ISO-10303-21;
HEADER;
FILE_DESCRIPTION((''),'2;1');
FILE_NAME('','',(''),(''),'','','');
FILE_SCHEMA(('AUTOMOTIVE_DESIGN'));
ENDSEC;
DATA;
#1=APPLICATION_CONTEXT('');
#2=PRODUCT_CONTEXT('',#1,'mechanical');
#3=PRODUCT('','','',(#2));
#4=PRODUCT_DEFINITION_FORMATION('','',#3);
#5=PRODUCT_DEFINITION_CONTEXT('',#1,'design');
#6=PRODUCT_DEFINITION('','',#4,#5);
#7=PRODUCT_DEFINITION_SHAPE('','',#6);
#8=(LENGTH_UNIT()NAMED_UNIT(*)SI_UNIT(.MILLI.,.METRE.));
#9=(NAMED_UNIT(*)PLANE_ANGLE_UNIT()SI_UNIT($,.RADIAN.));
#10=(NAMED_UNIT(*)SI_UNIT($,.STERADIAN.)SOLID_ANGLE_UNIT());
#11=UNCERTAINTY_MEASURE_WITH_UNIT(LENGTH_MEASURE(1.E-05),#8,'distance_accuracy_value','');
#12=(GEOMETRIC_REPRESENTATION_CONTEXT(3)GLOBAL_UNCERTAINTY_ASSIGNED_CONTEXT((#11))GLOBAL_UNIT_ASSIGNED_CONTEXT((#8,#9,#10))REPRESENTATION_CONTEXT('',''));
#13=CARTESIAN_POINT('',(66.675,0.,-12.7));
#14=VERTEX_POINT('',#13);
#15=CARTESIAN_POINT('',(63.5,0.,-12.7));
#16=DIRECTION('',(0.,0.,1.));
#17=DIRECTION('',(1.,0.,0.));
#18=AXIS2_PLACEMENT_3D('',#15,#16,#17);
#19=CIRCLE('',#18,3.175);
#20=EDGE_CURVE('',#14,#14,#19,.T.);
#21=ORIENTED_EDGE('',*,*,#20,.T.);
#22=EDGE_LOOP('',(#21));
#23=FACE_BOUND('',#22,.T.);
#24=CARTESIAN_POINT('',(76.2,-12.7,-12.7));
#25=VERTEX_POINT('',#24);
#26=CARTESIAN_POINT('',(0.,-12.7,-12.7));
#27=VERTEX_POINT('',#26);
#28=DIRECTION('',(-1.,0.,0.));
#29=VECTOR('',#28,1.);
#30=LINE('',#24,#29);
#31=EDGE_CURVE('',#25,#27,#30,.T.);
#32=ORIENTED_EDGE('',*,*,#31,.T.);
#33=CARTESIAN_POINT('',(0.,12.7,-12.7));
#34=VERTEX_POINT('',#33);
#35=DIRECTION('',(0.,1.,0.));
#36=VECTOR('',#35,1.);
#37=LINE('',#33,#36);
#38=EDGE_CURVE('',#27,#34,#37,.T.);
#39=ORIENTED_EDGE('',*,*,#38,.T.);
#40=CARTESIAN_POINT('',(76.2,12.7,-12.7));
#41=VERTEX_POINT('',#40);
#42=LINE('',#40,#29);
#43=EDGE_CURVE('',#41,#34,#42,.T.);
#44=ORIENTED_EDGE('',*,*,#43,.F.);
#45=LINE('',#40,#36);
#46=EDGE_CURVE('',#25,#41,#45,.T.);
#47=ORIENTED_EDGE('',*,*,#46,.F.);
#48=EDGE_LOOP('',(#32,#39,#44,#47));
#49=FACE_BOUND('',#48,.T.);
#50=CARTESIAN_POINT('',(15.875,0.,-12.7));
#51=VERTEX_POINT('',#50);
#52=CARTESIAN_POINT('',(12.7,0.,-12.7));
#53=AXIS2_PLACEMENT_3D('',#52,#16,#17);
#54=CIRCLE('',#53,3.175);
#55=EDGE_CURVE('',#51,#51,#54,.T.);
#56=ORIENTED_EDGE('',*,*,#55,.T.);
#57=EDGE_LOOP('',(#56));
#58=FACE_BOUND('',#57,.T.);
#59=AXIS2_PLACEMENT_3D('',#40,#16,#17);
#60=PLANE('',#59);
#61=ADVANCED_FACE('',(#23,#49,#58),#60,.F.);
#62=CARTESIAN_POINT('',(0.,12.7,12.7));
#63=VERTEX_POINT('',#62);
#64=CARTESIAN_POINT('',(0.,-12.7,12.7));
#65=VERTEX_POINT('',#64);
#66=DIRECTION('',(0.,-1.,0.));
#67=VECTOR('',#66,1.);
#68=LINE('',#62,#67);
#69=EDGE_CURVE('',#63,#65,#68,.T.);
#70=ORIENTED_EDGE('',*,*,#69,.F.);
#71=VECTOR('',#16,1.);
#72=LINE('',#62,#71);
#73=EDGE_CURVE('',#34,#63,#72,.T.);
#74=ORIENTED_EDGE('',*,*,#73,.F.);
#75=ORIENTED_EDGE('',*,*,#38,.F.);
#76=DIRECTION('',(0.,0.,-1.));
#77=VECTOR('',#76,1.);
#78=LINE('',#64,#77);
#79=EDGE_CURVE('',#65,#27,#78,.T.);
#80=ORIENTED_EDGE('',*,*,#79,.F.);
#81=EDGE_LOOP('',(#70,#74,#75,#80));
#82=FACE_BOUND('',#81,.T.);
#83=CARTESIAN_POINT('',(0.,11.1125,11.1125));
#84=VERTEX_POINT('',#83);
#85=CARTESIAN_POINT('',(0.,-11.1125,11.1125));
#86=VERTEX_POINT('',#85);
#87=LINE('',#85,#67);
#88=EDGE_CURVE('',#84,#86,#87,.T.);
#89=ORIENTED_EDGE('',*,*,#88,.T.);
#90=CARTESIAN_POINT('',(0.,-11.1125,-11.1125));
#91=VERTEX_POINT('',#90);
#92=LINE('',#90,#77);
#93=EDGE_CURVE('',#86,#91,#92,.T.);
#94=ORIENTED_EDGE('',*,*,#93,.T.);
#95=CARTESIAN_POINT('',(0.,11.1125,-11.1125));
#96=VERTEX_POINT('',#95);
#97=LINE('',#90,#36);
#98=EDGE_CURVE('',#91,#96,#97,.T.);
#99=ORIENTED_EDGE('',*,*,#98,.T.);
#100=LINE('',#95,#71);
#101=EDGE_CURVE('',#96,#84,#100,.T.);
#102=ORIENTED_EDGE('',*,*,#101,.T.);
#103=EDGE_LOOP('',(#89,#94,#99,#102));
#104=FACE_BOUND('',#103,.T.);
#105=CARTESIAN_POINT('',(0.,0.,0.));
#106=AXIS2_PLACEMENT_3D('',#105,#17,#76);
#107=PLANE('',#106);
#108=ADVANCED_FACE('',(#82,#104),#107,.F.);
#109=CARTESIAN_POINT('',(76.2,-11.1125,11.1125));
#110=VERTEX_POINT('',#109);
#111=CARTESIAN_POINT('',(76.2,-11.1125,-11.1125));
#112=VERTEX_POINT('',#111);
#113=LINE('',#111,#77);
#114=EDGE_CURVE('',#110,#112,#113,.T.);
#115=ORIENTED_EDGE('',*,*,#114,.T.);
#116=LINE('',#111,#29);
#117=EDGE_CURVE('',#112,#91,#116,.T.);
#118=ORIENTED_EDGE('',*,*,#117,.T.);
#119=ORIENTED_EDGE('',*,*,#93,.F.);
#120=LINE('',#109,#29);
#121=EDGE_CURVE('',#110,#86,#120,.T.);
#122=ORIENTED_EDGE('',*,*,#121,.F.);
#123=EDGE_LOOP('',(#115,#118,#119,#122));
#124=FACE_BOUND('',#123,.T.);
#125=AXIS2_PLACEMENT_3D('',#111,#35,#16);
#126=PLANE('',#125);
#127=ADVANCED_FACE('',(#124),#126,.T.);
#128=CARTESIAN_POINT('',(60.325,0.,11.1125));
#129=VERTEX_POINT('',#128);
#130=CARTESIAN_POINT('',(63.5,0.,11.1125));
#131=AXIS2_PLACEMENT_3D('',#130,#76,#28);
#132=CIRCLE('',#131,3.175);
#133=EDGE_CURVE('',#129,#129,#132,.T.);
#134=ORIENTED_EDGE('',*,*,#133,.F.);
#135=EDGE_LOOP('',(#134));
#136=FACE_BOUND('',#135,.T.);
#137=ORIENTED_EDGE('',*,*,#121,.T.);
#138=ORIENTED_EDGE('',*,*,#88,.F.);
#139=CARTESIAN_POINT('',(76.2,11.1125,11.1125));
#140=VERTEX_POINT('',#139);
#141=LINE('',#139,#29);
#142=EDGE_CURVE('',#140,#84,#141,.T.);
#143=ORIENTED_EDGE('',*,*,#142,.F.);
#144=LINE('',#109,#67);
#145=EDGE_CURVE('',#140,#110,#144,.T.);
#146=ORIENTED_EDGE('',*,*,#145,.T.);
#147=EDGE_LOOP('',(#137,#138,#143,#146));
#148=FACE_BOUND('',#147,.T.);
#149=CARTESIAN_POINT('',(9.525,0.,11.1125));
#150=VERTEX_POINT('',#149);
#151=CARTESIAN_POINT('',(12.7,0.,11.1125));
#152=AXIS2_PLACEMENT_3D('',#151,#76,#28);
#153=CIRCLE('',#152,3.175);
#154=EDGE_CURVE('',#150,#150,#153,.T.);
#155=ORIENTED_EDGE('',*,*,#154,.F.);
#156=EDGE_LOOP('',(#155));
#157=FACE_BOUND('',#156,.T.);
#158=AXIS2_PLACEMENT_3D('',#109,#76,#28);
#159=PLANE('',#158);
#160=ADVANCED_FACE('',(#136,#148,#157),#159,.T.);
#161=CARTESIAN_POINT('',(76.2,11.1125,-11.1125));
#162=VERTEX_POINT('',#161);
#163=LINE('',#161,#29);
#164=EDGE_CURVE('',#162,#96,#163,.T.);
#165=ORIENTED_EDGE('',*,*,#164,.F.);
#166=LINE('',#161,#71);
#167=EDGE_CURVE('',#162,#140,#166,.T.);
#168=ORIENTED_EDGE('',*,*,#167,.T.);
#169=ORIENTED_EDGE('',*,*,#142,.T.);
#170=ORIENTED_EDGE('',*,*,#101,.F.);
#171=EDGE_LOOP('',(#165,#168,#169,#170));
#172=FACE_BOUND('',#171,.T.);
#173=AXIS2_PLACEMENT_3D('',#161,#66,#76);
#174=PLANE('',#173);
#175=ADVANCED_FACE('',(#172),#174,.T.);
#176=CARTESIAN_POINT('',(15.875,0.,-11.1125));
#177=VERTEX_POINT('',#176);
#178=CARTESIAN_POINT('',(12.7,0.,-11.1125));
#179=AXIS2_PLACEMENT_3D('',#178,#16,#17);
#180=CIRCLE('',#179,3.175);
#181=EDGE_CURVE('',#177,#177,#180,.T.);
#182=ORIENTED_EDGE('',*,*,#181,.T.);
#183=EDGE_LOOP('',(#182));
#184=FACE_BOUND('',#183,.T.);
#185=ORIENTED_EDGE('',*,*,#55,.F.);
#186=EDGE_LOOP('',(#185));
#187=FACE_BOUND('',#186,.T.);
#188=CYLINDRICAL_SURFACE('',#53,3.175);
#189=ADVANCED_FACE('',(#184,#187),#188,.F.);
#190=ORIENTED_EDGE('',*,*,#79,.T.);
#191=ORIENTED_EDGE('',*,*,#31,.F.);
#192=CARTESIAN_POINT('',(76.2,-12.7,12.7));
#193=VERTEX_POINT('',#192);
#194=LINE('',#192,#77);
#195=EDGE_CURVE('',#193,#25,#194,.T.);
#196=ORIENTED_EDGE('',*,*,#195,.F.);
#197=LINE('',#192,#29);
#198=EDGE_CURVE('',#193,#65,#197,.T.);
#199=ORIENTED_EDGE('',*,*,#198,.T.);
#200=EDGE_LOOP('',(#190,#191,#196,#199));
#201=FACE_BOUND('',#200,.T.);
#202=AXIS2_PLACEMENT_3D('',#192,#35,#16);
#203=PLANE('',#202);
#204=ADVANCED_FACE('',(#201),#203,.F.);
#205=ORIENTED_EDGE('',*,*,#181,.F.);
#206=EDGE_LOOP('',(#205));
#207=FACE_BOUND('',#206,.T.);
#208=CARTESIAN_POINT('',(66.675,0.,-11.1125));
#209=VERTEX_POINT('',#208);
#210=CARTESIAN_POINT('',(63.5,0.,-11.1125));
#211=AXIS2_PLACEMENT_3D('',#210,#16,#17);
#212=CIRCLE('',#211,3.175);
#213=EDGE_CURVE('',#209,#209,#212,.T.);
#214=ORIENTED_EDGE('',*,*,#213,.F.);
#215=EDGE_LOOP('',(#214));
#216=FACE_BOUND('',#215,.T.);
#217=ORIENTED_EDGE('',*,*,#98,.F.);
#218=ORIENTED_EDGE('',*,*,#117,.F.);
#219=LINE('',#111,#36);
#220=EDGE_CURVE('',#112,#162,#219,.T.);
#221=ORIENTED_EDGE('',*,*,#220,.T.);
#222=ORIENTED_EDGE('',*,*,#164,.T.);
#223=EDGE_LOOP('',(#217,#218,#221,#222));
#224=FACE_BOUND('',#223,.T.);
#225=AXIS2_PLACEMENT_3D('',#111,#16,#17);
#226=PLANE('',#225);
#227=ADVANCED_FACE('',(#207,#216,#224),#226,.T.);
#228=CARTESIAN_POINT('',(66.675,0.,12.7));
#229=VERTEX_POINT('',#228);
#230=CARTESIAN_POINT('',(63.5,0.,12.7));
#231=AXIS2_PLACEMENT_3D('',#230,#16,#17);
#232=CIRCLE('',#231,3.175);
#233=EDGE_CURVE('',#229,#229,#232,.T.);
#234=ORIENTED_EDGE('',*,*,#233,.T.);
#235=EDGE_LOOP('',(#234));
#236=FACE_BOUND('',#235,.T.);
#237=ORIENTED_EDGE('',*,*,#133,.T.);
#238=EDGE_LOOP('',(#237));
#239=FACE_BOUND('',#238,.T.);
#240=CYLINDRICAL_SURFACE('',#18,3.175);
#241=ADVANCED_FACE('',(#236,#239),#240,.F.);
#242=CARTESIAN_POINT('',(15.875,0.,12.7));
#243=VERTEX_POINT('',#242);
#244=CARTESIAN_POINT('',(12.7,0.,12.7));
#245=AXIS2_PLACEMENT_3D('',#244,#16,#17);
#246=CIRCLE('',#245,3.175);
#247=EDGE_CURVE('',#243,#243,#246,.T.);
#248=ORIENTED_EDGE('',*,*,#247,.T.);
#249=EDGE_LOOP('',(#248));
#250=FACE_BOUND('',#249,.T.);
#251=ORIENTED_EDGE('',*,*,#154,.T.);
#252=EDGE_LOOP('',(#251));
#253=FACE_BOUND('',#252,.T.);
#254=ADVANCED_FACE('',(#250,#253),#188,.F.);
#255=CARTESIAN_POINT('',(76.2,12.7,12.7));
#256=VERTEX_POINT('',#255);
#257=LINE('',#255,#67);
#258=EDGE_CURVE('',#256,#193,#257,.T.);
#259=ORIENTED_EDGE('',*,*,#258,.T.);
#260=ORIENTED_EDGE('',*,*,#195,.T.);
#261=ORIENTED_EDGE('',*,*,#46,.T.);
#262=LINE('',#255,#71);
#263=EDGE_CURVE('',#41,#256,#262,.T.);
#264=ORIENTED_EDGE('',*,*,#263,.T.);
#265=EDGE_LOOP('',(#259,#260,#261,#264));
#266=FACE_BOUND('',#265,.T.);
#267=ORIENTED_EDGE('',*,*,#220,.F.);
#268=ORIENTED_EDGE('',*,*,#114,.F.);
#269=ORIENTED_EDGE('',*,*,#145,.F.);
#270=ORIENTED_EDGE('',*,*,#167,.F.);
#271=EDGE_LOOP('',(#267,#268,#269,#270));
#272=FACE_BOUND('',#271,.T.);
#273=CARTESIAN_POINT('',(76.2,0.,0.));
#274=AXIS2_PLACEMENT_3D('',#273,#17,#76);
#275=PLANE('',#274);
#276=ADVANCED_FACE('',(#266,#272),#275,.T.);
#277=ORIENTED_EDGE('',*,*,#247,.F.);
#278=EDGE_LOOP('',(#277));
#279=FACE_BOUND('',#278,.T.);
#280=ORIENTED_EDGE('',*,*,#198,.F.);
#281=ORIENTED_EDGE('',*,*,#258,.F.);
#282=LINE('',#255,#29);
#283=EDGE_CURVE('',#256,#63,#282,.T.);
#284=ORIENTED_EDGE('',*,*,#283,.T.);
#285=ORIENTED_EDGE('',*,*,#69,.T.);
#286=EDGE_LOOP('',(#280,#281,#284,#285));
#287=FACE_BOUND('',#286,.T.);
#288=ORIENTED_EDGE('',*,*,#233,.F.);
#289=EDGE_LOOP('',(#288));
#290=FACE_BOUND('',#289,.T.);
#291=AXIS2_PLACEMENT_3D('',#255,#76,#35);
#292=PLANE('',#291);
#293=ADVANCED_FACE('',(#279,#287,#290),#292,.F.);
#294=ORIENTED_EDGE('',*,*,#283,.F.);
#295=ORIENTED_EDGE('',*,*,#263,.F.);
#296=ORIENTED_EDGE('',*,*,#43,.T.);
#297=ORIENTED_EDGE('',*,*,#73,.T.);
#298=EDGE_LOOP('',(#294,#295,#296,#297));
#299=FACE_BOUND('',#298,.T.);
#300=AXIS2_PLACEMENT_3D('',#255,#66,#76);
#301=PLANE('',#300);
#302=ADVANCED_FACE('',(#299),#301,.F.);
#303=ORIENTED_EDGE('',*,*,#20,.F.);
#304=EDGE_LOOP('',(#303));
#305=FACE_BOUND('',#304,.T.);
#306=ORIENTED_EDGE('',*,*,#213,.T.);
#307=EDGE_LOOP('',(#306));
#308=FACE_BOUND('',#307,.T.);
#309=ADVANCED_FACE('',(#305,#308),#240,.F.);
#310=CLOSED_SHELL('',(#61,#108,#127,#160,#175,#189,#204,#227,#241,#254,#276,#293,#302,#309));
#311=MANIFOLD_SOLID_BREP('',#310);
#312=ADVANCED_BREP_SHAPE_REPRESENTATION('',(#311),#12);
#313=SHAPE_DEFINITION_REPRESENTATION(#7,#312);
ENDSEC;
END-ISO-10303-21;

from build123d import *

# Parameters (mm, degrees)
SKETCH1_W           = 25.4
SKETCH1_H           = 25.4
SKETCH1_W_2         = 22.225
SKETCH1_H_2         = 22.225
BOSS_EXTRUDE1_DEPTH = 76.2
SKETCH2_R           = 3.175
CUT_EXTRUDE1_DEPTH  = 82.319677815


with BuildPart() as part:
    # Sketch1 → Boss-Extrude1 (new body)
    with BuildSketch(Plane(origin=(0, 0, 0), x_dir=(0, 0, -1), z_dir=(1, 0, 0))):
        Rectangle(SKETCH1_W, SKETCH1_H)
        Rectangle(SKETCH1_W_2, SKETCH1_H_2, mode=Mode.SUBTRACT)
    extrude(amount=BOSS_EXTRUDE1_DEPTH)

    # Sketch2 → Cut-Extrude1 (cut, through all)
    with BuildSketch(Plane.XY.offset(12.7)):
        with Locations((12.7, 0)):
            Circle(SKETCH2_R)
        with Locations((63.5, 0)):
            Circle(SKETCH2_R)
    extrude(amount=-CUT_EXTRUDE1_DEPTH, mode=Mode.SUBTRACT)


solid = part.part
